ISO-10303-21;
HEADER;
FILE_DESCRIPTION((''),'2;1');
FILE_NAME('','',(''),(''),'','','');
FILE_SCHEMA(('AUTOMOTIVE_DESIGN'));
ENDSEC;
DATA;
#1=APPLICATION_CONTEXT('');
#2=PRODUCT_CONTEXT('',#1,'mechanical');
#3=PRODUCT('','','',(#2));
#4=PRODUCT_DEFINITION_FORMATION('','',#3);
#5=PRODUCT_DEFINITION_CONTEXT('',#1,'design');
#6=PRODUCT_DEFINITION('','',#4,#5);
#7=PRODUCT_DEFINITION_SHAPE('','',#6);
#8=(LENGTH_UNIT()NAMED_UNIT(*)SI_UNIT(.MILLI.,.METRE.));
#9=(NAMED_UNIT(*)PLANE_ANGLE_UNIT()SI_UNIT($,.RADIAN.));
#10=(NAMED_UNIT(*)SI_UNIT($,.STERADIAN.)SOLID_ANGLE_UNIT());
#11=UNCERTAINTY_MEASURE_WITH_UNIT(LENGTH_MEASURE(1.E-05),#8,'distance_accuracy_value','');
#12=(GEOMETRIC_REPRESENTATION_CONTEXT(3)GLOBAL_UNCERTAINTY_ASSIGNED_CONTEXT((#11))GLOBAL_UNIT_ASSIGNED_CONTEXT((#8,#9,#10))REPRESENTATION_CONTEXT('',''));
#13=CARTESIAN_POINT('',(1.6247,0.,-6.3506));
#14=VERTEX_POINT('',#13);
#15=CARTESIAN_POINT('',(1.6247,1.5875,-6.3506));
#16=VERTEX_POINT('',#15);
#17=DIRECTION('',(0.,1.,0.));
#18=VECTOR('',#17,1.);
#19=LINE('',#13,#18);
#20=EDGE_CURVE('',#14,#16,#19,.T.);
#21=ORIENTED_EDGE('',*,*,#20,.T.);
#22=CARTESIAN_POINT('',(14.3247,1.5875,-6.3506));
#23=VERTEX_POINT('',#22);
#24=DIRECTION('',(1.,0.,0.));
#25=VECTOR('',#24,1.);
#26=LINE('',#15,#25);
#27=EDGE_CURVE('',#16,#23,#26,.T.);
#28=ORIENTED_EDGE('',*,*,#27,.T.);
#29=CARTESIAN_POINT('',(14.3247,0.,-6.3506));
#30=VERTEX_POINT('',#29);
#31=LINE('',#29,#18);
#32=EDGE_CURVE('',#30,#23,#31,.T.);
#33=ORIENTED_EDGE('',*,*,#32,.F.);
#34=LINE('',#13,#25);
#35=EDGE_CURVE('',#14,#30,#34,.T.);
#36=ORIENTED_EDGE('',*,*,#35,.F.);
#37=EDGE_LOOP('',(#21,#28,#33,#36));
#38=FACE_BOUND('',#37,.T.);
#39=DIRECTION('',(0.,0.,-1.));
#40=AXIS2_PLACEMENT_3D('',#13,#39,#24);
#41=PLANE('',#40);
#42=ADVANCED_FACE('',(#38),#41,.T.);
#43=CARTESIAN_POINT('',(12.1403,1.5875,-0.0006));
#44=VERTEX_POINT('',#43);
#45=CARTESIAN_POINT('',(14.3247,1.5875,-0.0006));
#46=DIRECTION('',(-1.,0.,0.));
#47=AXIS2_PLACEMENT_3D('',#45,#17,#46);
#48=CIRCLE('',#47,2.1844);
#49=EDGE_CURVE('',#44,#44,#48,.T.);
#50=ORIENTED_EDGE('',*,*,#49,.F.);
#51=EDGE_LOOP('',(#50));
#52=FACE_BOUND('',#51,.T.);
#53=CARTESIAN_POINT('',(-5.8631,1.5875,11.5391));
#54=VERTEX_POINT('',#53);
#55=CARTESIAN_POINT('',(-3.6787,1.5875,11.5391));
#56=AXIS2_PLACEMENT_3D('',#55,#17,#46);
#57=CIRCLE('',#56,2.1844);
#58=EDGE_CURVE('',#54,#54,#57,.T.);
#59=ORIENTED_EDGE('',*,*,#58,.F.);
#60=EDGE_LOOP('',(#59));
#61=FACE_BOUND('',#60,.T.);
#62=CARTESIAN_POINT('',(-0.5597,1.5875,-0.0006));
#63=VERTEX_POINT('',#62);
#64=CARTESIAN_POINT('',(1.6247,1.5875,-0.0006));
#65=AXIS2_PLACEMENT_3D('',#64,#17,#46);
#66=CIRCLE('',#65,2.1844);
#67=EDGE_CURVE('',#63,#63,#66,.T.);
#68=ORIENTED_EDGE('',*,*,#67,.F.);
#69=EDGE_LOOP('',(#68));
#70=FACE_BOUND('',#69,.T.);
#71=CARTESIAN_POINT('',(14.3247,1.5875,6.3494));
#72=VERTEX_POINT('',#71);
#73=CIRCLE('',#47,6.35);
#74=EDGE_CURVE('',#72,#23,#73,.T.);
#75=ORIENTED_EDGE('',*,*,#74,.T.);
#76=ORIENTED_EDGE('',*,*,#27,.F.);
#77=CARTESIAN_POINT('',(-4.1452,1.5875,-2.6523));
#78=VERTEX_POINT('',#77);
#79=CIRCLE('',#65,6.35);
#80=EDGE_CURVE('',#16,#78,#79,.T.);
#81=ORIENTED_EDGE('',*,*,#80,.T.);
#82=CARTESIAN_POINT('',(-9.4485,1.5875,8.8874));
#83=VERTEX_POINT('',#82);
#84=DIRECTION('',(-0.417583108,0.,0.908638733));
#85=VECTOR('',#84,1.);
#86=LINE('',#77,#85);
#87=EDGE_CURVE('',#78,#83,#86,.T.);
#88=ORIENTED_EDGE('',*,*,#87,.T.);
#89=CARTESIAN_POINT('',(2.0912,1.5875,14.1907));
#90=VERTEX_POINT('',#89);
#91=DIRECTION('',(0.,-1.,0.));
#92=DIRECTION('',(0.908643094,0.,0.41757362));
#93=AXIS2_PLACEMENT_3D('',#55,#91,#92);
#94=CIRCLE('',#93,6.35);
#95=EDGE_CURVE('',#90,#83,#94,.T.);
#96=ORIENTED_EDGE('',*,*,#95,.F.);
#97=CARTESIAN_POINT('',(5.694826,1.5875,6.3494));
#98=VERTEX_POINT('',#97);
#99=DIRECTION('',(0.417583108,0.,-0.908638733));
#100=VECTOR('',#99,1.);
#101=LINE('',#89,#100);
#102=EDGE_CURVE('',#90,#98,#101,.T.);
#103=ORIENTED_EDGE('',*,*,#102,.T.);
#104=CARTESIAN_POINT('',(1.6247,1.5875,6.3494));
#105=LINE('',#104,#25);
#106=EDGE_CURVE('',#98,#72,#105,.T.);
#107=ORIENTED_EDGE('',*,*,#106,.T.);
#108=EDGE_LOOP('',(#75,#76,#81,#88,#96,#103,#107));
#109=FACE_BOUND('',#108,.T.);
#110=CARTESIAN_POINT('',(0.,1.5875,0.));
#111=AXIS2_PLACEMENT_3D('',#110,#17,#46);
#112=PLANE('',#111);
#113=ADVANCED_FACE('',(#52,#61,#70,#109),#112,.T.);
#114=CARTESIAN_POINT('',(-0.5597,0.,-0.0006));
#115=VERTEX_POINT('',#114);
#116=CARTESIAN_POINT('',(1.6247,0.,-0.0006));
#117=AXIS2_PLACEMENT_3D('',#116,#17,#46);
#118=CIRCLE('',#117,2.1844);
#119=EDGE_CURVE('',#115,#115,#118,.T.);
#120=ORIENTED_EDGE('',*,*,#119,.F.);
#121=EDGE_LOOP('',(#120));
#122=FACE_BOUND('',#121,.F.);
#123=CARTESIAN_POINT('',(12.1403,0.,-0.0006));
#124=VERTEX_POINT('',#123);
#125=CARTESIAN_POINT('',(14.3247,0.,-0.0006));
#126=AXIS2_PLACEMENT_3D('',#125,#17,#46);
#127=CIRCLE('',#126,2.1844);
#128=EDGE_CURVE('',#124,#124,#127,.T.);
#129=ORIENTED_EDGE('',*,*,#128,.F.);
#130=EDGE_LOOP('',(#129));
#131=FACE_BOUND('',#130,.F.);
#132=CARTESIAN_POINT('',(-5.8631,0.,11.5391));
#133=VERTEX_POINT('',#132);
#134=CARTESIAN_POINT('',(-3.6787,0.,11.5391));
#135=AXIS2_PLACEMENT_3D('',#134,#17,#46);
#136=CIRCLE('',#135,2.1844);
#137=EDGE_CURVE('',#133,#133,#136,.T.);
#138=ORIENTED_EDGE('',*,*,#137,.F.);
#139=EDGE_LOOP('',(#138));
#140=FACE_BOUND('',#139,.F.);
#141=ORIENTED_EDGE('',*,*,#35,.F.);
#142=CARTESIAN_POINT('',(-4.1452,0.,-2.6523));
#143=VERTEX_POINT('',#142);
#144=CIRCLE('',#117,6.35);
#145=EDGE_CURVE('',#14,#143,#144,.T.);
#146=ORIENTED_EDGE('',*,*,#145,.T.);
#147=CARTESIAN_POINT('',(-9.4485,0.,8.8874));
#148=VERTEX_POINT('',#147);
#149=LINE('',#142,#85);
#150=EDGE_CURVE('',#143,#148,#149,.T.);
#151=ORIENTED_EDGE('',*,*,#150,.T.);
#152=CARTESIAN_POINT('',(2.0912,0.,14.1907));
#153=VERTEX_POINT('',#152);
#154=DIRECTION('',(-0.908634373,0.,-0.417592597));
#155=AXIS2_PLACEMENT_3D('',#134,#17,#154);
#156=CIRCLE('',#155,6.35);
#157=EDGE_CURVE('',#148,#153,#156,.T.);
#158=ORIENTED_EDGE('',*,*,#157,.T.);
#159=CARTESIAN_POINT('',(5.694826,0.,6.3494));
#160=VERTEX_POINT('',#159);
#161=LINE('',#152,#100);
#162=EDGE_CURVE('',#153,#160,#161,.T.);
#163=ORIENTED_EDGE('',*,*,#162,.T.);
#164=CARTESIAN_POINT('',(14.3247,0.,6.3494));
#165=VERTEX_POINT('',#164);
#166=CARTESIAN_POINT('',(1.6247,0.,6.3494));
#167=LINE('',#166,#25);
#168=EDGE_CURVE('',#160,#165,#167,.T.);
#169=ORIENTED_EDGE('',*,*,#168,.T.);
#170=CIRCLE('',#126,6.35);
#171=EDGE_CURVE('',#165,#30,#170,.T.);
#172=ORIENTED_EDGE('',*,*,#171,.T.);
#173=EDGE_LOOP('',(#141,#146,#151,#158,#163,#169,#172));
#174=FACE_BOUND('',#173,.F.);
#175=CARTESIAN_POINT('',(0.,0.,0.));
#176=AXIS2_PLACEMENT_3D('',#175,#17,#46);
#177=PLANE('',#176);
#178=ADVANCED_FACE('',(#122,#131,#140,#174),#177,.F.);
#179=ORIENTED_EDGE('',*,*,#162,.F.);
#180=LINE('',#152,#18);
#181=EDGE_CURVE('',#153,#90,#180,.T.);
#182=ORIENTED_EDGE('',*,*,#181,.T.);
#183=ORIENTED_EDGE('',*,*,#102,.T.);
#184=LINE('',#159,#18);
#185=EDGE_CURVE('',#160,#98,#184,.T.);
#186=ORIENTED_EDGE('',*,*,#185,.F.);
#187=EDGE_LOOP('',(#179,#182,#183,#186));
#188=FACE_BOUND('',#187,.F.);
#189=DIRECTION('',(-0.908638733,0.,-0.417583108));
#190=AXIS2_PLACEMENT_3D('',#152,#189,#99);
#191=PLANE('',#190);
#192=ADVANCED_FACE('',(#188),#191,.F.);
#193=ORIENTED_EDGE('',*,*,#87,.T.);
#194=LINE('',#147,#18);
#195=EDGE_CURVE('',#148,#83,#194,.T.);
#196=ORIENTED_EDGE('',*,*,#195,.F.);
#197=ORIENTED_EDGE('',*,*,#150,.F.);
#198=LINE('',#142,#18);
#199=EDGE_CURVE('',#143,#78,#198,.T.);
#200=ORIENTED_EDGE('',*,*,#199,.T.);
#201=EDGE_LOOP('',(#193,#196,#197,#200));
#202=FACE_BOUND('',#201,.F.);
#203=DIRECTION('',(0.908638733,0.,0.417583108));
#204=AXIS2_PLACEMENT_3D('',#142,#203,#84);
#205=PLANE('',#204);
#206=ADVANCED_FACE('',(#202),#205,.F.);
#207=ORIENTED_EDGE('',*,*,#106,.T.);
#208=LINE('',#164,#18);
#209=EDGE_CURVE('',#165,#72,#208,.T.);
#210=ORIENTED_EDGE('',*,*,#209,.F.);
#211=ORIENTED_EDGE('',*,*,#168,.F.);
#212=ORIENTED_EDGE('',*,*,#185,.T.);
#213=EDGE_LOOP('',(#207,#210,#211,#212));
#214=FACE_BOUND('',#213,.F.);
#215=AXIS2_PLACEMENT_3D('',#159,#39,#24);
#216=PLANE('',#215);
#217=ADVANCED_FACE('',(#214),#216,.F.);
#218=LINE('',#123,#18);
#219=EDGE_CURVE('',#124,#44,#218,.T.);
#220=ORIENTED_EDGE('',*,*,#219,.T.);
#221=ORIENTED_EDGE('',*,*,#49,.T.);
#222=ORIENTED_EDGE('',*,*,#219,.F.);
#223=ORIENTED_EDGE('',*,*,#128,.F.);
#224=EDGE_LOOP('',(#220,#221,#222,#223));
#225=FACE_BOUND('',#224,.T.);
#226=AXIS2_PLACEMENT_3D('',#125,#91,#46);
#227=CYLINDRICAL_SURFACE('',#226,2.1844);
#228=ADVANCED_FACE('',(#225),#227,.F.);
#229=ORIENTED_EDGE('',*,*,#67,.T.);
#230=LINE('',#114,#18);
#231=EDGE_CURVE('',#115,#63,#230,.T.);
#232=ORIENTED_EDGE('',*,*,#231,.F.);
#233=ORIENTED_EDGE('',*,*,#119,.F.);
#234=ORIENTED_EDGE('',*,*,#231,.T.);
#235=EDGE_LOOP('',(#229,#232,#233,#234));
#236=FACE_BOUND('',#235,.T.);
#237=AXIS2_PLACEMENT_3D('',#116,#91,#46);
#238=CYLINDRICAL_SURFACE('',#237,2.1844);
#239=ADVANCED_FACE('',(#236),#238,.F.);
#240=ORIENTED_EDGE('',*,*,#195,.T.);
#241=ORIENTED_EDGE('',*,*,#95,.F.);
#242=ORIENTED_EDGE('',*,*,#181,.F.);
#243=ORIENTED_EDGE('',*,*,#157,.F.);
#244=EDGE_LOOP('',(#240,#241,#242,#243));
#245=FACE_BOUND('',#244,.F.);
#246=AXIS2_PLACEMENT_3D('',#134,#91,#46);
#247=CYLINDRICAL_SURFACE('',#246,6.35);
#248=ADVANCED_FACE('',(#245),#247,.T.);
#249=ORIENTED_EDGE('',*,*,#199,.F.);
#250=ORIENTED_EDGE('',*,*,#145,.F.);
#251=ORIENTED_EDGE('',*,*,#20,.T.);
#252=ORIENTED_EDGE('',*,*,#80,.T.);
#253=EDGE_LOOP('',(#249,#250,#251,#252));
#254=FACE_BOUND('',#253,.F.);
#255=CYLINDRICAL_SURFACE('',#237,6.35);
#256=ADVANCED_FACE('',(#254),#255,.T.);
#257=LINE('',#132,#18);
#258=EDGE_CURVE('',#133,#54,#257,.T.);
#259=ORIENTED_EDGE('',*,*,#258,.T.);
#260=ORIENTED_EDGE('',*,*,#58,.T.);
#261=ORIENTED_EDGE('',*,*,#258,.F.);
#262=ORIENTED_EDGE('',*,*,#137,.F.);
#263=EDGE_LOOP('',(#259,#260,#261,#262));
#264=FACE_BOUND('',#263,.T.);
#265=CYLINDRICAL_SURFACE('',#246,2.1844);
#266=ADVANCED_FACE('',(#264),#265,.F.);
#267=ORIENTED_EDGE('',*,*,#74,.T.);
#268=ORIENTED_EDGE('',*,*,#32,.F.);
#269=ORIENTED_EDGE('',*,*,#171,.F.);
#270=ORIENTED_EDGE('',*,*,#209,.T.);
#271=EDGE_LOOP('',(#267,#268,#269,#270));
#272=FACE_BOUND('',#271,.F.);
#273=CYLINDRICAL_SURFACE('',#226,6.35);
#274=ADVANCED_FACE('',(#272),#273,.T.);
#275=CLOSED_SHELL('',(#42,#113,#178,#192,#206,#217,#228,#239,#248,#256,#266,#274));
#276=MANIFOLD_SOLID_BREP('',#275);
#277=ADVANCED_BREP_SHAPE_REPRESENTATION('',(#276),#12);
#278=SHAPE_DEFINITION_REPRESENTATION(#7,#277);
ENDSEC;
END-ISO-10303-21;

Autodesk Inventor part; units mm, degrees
ref_plane "YZ Plane" through (0, 0, 0) normal (1, 0, 0) x (0, 1, 0)
ref_plane "XZ Plane" through (0, 0, 0) normal (0, 1, 0) x (-1, 0, 0)
ref_plane "XY Plane" through (0, 0, 0) normal (0, 0, 1) x (1, 0, 0)
sketch "Sketch1" plane through (0, 0, 0) normal (0, 1, 0) x (-1, 0, 0)
  circle A0 centre (-14.3247, -0.0006) radius 2.1844
  circle A1 centre (-1.6247, -0.0006) radius 2.1844
  circle A2 centre (3.6787, 11.5391) radius 2.1844
  circle A3 centre (3.6787, 11.5391) radius 6.35
  circle A4 centre (-1.6247, -0.0006) radius 6.35
  circle A5 centre (-14.3247, -0.0006) radius 6.35
  line L0 (-1.6247, -6.3506) -> (-14.3247, -6.3506)
  line L1 (4.1452, -2.6523) -> (9.4485, 8.8874)
  line L2 (-2.0912, 14.1907) -> (-7.3945, 2.651)
  line L3 (-1.6247, 6.3494) -> (-14.3247, 6.3494)
  point P0 (0, 0)
  point P1 (0.252, 16.8851)
  point P2 (-17.7513, 5.3454)
  point P3 (-7.9747, -0.0006)
  point P4 (1.027, 5.7692)
  point P5 (-5.6949, 6.3494)
  dimension "d0" = 12.7
  dimension "d1" = 12.7
  dimension "d2" = 12.7
extrude "Extrusion1" add sketch "Sketch1" along normal blind 1.5875
properties part number "NEWlbL-channelSupport"
